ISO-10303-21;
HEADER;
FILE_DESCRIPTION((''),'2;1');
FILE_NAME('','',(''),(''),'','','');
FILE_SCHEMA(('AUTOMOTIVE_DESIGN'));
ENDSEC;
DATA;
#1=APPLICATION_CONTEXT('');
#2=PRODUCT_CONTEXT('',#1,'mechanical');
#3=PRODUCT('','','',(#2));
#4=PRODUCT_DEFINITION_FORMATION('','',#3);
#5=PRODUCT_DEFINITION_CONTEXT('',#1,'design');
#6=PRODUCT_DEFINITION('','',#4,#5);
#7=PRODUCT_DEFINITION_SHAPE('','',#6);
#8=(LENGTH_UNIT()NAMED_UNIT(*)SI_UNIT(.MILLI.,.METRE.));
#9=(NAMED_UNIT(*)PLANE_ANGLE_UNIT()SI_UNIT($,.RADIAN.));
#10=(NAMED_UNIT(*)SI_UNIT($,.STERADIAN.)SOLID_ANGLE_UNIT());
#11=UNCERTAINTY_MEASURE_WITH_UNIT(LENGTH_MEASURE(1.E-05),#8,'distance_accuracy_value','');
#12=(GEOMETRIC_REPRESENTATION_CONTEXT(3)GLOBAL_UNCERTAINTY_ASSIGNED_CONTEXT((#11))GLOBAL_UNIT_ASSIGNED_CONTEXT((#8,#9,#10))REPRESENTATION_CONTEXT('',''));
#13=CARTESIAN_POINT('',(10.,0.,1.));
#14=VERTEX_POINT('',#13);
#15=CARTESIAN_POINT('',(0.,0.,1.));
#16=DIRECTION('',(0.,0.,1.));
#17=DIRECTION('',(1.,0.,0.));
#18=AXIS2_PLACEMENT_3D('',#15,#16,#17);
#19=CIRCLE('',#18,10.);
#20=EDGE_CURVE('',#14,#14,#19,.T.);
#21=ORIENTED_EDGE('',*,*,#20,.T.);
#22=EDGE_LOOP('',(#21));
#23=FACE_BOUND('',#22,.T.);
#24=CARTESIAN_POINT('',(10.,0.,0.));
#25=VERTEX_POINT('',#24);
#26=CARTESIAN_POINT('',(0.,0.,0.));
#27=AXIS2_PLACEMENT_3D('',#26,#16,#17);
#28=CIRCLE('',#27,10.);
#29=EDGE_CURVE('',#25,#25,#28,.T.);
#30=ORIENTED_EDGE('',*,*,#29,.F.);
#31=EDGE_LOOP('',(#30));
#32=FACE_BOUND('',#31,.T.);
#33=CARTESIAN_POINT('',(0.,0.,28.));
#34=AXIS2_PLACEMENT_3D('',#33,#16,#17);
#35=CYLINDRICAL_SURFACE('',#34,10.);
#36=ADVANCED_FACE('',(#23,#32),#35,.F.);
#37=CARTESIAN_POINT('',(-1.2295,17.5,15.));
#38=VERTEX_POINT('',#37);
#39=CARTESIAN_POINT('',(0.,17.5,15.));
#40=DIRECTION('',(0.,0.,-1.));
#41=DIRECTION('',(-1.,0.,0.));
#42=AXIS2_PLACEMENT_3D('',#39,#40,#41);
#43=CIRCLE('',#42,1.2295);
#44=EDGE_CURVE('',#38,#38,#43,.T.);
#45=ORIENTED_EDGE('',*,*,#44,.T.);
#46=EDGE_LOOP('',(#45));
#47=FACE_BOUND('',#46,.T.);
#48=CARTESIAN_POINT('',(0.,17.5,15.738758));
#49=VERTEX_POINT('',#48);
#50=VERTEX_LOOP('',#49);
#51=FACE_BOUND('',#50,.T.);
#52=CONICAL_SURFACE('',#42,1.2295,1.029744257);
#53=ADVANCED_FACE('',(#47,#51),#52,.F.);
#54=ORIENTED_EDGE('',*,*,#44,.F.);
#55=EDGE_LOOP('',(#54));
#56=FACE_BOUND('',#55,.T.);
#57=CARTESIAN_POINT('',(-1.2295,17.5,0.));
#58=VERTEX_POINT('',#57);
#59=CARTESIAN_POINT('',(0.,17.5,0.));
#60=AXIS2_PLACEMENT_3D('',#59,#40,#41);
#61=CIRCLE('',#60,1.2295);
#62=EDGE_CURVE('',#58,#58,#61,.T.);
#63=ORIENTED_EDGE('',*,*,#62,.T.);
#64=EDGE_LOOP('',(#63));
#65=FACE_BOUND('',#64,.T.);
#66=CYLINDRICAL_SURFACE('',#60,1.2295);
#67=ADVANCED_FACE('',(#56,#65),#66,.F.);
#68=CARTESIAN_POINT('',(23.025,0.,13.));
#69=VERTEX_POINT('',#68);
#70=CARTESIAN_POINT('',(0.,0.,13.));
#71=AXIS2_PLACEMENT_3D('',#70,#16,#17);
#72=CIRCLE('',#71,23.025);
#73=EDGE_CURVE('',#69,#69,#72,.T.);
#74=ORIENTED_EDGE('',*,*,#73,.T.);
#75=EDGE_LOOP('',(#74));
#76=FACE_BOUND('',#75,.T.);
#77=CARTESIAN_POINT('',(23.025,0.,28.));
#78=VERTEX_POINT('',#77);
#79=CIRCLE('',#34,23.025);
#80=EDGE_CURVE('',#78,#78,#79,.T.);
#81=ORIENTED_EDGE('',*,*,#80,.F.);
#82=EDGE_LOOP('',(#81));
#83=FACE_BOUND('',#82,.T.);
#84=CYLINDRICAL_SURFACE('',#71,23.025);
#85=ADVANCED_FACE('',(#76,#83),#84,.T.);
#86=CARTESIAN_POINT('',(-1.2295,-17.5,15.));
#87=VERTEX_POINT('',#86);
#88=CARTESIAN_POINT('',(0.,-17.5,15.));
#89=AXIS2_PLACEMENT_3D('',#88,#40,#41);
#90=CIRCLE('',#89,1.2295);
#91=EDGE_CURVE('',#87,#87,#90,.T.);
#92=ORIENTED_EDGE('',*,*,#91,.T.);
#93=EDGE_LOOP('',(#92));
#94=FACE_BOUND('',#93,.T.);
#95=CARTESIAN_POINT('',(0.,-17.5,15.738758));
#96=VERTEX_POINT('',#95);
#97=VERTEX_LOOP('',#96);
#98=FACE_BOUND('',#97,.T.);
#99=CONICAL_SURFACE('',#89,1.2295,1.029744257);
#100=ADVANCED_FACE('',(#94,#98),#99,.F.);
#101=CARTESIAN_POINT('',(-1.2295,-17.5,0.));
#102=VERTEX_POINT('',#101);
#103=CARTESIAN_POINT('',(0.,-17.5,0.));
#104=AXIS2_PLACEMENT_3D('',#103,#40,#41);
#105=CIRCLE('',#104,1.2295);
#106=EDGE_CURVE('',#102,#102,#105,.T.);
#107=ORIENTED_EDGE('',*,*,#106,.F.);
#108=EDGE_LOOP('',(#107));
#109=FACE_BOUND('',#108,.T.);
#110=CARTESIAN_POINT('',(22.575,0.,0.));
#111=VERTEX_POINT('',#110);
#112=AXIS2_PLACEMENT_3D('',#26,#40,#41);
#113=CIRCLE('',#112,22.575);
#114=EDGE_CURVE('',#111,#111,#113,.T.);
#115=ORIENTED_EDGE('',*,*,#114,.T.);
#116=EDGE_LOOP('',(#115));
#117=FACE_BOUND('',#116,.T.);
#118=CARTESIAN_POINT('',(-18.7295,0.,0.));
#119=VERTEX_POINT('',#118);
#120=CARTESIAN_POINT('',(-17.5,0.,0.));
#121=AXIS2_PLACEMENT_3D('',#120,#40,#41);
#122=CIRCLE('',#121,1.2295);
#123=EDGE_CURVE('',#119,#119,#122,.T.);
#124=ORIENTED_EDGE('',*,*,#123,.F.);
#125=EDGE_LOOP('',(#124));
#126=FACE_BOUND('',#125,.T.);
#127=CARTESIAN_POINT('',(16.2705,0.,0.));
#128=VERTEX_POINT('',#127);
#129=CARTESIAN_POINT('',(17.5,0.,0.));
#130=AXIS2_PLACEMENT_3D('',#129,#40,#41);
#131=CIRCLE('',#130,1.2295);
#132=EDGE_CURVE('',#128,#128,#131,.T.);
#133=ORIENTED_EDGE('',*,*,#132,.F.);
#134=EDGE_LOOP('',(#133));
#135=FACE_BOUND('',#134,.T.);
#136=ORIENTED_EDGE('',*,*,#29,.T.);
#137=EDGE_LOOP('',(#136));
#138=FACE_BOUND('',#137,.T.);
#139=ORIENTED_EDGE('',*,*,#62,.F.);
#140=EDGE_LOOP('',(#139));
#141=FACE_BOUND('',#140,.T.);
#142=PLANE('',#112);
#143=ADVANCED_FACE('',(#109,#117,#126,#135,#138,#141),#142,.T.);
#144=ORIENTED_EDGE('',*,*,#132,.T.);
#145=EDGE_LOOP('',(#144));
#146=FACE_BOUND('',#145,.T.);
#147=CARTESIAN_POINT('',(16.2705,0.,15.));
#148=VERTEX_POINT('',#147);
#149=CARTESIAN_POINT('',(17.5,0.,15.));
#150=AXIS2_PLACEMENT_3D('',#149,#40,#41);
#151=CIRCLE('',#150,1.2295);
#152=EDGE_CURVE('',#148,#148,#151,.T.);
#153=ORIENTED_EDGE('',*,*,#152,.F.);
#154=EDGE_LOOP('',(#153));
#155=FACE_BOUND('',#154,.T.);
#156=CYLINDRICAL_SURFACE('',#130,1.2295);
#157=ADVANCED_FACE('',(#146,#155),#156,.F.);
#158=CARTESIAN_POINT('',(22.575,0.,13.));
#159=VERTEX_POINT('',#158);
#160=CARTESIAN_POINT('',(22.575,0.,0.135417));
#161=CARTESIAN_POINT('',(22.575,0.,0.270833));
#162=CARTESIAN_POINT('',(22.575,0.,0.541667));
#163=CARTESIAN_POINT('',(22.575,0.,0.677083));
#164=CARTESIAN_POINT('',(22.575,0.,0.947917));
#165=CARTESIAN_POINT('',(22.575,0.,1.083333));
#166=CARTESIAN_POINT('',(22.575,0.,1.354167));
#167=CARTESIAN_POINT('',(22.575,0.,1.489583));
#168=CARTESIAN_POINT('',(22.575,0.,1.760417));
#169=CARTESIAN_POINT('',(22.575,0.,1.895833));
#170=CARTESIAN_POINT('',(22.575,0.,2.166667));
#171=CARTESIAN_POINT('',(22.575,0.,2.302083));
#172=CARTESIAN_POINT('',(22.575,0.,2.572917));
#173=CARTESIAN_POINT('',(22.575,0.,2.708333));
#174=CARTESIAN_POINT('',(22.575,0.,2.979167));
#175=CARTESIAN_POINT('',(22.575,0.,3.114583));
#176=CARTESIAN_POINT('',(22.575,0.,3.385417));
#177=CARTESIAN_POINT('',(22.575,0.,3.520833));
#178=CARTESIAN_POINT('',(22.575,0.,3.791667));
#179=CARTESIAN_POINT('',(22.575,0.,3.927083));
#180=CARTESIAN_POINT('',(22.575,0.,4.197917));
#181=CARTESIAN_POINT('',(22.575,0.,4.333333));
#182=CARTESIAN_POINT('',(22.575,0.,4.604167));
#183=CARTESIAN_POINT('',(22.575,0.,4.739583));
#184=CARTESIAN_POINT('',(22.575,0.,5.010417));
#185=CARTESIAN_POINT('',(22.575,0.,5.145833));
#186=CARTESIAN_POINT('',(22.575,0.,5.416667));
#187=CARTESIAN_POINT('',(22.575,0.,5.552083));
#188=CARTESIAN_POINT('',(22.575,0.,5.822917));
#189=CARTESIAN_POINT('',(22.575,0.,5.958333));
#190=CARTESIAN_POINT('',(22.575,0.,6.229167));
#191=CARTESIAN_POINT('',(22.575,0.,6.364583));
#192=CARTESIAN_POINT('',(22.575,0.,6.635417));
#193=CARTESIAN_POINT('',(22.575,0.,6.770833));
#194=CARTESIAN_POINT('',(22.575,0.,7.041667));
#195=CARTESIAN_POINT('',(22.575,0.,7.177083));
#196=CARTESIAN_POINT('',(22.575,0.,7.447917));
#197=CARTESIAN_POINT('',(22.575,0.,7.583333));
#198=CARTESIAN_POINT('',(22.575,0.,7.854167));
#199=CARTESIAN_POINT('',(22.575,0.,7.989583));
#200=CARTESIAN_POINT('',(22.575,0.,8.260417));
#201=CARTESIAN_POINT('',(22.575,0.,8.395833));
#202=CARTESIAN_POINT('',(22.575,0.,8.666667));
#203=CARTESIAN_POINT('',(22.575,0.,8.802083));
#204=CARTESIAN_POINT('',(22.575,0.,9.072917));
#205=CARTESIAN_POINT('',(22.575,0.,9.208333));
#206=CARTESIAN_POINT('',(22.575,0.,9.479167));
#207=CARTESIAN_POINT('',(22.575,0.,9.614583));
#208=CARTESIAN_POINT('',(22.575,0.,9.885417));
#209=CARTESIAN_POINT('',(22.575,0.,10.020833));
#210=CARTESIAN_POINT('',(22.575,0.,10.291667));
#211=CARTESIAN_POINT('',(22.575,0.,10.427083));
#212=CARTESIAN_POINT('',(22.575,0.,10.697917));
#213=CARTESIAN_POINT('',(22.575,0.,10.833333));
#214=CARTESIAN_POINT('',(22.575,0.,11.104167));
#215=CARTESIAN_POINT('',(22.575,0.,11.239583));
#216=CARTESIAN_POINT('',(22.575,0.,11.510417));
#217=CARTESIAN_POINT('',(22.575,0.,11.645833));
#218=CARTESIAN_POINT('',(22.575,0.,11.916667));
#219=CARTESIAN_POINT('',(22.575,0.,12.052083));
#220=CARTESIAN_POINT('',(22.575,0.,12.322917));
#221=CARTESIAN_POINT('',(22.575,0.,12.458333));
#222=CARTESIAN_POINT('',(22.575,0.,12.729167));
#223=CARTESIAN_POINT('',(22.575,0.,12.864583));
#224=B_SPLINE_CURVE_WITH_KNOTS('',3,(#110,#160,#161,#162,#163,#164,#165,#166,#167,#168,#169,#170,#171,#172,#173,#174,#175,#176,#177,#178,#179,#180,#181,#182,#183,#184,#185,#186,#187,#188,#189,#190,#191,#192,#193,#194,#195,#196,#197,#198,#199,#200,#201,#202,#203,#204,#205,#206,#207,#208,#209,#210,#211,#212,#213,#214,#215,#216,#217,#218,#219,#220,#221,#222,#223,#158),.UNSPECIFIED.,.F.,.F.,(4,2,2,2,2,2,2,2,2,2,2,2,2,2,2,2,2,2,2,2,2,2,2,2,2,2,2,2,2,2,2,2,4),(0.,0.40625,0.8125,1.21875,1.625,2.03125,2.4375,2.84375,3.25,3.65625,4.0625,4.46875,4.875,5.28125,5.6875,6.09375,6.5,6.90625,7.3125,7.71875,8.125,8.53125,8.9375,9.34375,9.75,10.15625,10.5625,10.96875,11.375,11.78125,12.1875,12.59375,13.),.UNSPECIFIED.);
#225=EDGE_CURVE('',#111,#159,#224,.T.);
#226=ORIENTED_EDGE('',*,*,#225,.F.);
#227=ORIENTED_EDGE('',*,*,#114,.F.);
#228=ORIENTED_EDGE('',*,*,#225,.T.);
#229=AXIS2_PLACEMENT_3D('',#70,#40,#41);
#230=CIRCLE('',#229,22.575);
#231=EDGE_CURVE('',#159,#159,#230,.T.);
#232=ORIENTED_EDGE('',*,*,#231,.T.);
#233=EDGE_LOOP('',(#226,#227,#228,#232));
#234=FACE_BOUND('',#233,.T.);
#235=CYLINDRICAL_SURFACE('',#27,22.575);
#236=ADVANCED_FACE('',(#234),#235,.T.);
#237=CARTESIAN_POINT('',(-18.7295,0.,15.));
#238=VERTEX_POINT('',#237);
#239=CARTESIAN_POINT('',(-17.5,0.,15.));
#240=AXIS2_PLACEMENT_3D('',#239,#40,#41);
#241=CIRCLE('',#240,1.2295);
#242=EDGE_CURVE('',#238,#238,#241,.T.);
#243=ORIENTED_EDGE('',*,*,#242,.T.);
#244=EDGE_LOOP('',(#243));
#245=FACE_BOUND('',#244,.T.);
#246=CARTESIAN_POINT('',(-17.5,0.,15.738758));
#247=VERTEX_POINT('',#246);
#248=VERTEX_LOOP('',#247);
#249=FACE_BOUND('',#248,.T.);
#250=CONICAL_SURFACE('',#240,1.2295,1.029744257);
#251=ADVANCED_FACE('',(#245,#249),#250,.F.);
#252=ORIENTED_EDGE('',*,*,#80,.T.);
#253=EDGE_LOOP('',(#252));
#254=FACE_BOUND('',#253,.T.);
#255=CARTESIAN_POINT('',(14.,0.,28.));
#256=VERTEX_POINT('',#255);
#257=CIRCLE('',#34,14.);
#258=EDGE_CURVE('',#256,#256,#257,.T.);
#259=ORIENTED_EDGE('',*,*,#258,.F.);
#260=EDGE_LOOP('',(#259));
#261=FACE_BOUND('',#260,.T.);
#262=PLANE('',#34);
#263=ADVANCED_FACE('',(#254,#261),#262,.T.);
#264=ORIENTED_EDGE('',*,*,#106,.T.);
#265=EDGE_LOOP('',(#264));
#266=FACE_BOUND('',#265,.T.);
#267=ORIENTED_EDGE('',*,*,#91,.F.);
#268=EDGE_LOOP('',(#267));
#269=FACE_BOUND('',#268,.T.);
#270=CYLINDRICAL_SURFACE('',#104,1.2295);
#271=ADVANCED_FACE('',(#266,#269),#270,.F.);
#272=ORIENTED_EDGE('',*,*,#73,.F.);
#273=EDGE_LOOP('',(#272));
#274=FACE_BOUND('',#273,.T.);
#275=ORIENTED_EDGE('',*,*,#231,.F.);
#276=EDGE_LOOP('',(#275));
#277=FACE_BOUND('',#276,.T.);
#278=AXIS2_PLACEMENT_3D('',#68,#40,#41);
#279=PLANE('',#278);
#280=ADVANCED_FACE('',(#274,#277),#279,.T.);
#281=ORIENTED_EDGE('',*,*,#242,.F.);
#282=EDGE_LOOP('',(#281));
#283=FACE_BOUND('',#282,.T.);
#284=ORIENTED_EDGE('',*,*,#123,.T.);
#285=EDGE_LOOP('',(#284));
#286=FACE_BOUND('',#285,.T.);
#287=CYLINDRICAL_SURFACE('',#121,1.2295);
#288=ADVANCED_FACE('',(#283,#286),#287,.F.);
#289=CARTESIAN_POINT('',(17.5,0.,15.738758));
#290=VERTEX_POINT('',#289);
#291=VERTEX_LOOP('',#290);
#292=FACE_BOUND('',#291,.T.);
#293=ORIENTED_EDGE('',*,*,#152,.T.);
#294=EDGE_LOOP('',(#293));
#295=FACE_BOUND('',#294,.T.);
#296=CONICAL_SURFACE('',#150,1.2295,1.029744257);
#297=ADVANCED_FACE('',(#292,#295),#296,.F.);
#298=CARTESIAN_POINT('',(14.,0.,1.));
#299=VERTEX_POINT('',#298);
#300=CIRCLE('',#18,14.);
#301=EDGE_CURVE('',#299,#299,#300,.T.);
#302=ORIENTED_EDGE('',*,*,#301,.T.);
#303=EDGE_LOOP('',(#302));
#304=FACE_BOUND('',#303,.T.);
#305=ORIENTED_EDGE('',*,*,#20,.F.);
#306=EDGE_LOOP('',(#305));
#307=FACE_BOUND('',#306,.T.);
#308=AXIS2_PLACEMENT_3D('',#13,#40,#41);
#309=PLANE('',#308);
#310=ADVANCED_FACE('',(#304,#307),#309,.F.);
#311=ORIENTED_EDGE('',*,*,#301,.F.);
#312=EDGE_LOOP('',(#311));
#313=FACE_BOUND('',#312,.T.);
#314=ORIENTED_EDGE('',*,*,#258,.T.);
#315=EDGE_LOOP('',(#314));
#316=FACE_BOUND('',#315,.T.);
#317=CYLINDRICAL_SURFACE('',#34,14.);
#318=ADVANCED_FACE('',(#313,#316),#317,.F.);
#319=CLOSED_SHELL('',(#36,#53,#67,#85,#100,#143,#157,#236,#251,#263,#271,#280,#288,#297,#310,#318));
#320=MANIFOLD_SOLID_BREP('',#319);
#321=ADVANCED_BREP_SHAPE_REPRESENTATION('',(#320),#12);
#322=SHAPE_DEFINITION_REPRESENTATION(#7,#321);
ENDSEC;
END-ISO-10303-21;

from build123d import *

# Parameters (mm, degrees)
SKETCH1_W                = 23.025
SKETCH1_H                = 15
SKETCH2_R                = 22.575
BOSS_EXTRUDE1_DEPTH      = 13
HOLE1_D                  = 20
HOLE1_CBORE_D            = 28
HOLE1_CBORE_DEPTH        = 27
M2_CLEARANCE_HOLE1_D     = 2.459
M2_CLEARANCE_HOLE1_DEPTH = 14.999999999
M2_CLEARANCE_HOLE1_TIP   = 0.738758131


with BuildPart() as part:
    # Sketch1 → Revolve1 (revolve)
    with BuildSketch(Plane(origin=(0, 0, 0), x_dir=(1, 0, 0), z_dir=(0, 1, 0))):
        with Locations((11.5125, -20.5)):
            Rectangle(SKETCH1_W, SKETCH1_H)
    revolve(axis=Axis((0, 0, 13), (0, 0, 1)))

    # Sketch2 → Boss-Extrude1 (add)
    with BuildSketch(Plane(origin=(0, 0, 13), x_dir=(-1, 0, 0), z_dir=(0, 0, -1))):
        with Locations(Location((0, 0, 0), (0, 0, 180))):
            Circle(SKETCH2_R)
    extrude(amount=BOSS_EXTRUDE1_DEPTH)

    # Hole1 (through all)
    with Locations(Plane.XY.offset(28)):
        with Locations((0, 0)):
            CounterBoreHole(HOLE1_D / 2, HOLE1_CBORE_D / 2, HOLE1_CBORE_DEPTH)

    # M2 Clearance Hole1
    with Locations(Plane(origin=(0, 0, 0), x_dir=(-1, 0, 0), z_dir=(0, 0, -1))):
        with Locations((0, 17.5), (-17.5, 0), (0, -17.5), (17.5, 0)):
            Hole(M2_CLEARANCE_HOLE1_D / 2, depth=M2_CLEARANCE_HOLE1_DEPTH)
            with Locations((0, 0, -(M2_CLEARANCE_HOLE1_DEPTH + M2_CLEARANCE_HOLE1_TIP / 2))):  # 118° drill point
                Cone(0, M2_CLEARANCE_HOLE1_D / 2, M2_CLEARANCE_HOLE1_TIP, mode=Mode.SUBTRACT)


solid = part.part
